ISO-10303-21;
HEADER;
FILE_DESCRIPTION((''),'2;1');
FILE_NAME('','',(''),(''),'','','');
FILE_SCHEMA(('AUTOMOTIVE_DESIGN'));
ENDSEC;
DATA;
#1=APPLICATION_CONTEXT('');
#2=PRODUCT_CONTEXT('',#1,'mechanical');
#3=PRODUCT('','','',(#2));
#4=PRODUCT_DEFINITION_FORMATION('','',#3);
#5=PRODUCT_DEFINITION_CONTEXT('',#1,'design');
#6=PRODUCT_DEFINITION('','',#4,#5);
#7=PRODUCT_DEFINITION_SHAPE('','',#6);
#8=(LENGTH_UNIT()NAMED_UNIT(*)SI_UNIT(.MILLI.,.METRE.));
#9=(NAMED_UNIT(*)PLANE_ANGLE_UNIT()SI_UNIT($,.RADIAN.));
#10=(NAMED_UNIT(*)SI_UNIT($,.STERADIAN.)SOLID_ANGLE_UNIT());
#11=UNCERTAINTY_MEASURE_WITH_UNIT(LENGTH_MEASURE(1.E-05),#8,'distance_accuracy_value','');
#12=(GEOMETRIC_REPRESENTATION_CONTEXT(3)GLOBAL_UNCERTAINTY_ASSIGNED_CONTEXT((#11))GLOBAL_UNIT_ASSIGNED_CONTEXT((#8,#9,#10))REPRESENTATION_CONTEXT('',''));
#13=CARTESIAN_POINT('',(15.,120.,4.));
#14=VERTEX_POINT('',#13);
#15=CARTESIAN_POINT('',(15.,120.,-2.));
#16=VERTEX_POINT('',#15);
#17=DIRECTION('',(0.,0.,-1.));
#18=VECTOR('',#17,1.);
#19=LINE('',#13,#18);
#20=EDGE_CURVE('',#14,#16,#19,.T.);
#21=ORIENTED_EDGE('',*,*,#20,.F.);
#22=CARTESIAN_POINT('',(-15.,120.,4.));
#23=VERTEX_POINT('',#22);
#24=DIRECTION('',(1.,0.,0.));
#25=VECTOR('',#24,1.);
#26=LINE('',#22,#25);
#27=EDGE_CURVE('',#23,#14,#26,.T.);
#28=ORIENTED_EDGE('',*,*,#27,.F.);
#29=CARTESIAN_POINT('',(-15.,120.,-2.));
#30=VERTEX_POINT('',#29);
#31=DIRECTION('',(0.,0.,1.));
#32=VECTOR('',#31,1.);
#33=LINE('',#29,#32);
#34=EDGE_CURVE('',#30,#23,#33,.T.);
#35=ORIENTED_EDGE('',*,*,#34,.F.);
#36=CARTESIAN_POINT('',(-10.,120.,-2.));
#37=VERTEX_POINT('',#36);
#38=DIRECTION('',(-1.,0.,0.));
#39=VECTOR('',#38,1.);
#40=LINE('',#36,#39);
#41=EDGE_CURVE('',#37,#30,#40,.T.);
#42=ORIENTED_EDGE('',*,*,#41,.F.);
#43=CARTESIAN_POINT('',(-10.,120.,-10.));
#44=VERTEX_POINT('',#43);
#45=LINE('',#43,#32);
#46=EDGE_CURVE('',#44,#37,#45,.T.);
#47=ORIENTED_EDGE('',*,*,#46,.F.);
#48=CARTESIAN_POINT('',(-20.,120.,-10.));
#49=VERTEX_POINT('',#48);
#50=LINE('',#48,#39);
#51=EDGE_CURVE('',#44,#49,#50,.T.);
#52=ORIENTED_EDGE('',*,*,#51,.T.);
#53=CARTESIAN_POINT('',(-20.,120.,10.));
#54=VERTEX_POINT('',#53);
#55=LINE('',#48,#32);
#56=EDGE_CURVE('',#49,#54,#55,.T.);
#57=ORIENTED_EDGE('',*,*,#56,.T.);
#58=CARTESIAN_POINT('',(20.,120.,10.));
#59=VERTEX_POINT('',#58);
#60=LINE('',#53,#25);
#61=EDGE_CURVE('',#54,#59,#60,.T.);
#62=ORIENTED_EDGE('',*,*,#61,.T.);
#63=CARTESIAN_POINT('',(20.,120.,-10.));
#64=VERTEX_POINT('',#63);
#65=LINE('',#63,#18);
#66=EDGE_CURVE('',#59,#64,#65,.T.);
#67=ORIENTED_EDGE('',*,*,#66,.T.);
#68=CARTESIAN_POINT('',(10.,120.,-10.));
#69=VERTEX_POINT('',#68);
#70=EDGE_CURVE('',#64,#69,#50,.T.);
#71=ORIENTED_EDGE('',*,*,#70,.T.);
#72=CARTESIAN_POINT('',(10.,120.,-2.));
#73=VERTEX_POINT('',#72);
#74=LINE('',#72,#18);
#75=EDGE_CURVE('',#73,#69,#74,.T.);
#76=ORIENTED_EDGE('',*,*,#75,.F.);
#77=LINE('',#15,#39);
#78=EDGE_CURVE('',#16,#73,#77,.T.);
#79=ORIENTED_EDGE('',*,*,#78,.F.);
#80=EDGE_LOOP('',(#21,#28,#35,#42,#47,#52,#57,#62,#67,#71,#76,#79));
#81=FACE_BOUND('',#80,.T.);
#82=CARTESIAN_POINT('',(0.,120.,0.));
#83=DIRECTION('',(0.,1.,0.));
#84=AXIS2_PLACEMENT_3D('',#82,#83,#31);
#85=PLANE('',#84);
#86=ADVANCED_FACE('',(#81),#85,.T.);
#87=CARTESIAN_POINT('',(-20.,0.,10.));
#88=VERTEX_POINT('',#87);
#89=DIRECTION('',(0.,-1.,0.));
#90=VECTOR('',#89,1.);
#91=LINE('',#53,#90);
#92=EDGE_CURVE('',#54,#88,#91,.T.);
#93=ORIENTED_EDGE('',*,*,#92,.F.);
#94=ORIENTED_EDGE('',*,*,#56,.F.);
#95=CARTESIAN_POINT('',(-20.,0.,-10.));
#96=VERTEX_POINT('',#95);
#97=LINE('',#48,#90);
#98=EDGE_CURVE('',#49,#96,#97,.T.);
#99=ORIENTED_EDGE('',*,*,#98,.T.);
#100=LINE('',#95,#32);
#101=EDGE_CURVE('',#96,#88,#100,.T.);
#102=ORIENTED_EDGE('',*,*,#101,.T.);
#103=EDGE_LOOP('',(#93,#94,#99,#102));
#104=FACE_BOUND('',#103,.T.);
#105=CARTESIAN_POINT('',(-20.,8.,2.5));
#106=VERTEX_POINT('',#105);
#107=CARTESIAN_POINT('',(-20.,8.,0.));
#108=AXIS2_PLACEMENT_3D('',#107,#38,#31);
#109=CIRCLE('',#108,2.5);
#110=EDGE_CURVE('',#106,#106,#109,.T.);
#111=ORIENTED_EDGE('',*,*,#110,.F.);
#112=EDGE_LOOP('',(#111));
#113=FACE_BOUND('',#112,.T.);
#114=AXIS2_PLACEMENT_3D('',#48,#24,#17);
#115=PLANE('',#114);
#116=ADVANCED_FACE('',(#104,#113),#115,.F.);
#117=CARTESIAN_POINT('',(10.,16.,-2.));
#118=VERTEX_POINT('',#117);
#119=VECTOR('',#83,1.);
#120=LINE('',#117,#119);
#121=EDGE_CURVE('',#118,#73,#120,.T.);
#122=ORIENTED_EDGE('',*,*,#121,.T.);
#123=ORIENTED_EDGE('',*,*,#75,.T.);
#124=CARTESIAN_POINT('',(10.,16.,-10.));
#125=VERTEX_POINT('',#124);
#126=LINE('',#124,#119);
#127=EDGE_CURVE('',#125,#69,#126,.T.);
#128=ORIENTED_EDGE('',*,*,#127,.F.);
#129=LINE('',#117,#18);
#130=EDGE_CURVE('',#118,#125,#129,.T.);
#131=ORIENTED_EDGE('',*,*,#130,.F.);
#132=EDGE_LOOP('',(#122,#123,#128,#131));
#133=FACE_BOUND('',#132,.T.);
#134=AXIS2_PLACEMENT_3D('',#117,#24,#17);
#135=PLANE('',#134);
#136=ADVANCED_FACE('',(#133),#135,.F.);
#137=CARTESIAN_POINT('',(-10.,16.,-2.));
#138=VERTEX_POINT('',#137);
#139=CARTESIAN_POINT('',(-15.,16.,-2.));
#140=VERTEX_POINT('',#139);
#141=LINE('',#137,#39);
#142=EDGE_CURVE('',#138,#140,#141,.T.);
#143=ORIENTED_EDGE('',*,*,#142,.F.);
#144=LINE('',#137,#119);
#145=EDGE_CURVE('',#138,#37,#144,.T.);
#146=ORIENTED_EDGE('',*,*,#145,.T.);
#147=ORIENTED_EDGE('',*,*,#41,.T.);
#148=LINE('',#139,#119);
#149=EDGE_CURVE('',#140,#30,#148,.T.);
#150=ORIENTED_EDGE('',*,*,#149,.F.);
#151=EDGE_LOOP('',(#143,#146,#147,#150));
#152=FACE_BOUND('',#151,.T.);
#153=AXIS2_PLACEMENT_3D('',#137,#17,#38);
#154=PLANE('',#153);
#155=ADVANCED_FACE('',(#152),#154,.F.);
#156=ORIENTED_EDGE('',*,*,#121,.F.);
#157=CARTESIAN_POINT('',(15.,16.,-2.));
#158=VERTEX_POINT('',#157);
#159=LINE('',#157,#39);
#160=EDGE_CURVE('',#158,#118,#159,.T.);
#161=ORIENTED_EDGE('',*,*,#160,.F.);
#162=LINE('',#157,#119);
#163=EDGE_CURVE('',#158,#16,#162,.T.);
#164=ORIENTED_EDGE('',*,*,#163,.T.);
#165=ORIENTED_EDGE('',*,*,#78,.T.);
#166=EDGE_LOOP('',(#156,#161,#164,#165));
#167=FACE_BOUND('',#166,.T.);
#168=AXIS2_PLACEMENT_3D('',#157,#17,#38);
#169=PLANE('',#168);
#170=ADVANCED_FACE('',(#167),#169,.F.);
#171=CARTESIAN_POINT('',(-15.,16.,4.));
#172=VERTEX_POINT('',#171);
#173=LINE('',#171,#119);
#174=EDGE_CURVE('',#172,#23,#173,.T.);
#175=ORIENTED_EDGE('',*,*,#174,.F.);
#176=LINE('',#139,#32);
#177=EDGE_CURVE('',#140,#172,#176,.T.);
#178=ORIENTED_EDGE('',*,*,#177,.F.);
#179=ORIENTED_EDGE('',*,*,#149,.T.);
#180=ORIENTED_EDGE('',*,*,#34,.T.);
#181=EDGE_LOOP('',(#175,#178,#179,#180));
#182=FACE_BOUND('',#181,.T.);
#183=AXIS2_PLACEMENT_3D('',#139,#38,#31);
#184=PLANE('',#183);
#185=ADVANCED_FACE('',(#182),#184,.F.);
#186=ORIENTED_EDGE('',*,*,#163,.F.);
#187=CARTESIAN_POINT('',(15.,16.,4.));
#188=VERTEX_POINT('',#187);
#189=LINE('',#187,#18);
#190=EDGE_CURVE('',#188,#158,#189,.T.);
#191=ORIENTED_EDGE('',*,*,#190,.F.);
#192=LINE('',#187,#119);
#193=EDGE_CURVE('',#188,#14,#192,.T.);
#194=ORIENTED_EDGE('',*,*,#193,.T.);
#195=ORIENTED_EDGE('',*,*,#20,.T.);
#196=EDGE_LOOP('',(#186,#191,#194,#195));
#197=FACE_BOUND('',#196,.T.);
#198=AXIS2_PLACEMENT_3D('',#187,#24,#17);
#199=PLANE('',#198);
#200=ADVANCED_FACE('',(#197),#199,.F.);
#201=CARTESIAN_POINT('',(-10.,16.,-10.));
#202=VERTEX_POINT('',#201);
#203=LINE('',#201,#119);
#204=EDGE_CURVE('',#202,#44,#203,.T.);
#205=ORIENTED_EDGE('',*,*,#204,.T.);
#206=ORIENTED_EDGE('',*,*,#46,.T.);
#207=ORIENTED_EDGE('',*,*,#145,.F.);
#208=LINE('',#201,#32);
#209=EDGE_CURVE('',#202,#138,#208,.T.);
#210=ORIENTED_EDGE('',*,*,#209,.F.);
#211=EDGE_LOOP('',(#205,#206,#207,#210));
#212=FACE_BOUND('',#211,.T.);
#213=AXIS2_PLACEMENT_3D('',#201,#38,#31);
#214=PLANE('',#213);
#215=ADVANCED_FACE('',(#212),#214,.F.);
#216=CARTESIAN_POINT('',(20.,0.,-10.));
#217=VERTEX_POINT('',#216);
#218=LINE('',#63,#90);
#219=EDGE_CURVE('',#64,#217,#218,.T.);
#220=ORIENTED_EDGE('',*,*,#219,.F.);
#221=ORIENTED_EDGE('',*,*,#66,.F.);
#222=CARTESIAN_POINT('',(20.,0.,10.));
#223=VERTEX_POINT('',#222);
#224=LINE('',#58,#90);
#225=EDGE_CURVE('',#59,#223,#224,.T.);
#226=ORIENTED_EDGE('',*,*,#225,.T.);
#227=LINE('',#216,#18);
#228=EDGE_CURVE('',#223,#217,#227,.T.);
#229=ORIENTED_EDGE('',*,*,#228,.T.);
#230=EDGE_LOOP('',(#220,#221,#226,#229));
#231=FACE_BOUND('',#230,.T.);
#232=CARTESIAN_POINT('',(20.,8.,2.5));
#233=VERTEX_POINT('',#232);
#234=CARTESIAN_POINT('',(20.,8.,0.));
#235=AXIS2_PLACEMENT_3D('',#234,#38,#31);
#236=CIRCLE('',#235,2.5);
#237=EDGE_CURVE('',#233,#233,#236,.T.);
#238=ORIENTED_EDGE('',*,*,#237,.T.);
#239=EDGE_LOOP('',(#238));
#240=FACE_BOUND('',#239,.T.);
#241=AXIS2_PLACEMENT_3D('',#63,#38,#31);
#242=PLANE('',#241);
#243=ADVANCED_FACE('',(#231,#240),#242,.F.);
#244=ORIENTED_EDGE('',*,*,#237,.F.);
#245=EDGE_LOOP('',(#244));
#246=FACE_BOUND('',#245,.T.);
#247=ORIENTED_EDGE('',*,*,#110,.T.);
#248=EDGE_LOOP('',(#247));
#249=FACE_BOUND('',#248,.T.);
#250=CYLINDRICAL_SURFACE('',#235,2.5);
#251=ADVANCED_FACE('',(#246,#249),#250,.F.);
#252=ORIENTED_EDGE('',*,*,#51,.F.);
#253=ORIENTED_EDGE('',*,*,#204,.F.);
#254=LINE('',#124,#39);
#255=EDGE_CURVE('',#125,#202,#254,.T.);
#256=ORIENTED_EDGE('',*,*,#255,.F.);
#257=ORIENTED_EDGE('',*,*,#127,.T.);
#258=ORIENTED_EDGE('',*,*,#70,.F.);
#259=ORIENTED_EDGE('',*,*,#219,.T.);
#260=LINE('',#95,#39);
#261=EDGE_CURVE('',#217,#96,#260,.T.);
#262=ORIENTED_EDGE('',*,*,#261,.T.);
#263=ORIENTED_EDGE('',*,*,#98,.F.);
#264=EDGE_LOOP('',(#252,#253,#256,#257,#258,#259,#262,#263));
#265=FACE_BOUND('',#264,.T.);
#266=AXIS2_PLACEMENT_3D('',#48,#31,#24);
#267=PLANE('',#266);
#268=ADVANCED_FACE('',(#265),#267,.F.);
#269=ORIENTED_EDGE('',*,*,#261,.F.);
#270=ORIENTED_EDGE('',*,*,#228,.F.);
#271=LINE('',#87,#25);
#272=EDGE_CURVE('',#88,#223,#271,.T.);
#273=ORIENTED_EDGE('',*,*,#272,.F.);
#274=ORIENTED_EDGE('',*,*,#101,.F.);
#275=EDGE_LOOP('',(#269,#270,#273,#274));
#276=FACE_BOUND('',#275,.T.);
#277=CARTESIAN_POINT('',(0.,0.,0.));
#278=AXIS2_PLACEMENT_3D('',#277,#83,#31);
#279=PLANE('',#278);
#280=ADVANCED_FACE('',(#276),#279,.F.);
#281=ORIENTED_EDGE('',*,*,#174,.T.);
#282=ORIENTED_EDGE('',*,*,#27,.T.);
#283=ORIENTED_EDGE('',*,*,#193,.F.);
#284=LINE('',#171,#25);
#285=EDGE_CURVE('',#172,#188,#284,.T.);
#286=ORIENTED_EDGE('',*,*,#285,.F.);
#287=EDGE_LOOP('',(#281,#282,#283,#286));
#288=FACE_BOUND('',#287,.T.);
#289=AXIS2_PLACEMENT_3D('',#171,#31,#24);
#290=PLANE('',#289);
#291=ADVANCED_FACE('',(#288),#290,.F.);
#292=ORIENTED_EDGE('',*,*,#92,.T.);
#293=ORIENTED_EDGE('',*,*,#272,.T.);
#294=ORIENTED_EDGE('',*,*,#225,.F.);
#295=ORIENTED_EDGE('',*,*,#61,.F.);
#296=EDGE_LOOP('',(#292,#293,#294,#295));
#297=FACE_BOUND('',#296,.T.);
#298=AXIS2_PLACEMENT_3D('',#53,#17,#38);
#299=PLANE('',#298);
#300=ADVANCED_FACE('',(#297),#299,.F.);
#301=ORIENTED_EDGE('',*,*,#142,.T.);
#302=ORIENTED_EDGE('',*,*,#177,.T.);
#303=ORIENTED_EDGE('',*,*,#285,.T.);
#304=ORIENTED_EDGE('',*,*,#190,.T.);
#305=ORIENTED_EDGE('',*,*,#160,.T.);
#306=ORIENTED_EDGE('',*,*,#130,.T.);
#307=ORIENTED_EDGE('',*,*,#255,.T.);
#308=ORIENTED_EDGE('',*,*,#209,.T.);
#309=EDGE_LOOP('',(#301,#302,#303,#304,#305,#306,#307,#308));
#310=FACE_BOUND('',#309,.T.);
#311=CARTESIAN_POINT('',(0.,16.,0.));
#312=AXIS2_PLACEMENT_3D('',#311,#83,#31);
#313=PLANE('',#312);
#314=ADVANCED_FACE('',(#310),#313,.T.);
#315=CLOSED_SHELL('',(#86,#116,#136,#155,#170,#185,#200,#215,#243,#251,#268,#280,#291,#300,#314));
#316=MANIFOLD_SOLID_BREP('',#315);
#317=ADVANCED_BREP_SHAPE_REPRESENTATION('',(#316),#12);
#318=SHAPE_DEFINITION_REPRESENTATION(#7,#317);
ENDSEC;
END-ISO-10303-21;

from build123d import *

# Parameters (mm, degrees)
SZKIC1_W                    = 40
SZKIC1_H                    = 20
DODANIE_WYCI_GNI_CIE1_DEPTH = 120
SZKIC2_R                    = 2.5
WYTNIJ_WYCI_GNI_CIE1_DEPTH  = 127.885775404
WYTNIJ_WYCI_GNI_CIE2_DEPTH  = 104


with BuildPart() as part:
    # Szkic1 → Dodanie-wyciągnięcie1 (new body)
    with BuildSketch(Plane(origin=(0, 0, 0), x_dir=(1, 0, 0), z_dir=(0, 1, 0))):
        Rectangle(SZKIC1_W, SZKIC1_H)
    extrude(amount=DODANIE_WYCI_GNI_CIE1_DEPTH)

    # Szkic2 → Wytnij-wyciągnięcie1 (cut, through all)
    with BuildSketch(Plane.ZY.offset(20)):
        with Locations((0, 8)):
            Circle(SZKIC2_R)
    extrude(amount=-WYTNIJ_WYCI_GNI_CIE1_DEPTH, mode=Mode.SUBTRACT)

    # Szkic4 → Wytnij-wyciągnięcie2 (cut)
    with BuildSketch(Plane(origin=(0, 120, 0), x_dir=(1, 0, 0), z_dir=(0, 1, 0))):
        Polygon((-15, -4), (15, -4), (15, 2), (10, 2), (10, 10), (-10, 10), (-10, 2), (-15, 2), align=None)
    extrude(amount=-WYTNIJ_WYCI_GNI_CIE2_DEPTH, mode=Mode.SUBTRACT)


solid = part.part
